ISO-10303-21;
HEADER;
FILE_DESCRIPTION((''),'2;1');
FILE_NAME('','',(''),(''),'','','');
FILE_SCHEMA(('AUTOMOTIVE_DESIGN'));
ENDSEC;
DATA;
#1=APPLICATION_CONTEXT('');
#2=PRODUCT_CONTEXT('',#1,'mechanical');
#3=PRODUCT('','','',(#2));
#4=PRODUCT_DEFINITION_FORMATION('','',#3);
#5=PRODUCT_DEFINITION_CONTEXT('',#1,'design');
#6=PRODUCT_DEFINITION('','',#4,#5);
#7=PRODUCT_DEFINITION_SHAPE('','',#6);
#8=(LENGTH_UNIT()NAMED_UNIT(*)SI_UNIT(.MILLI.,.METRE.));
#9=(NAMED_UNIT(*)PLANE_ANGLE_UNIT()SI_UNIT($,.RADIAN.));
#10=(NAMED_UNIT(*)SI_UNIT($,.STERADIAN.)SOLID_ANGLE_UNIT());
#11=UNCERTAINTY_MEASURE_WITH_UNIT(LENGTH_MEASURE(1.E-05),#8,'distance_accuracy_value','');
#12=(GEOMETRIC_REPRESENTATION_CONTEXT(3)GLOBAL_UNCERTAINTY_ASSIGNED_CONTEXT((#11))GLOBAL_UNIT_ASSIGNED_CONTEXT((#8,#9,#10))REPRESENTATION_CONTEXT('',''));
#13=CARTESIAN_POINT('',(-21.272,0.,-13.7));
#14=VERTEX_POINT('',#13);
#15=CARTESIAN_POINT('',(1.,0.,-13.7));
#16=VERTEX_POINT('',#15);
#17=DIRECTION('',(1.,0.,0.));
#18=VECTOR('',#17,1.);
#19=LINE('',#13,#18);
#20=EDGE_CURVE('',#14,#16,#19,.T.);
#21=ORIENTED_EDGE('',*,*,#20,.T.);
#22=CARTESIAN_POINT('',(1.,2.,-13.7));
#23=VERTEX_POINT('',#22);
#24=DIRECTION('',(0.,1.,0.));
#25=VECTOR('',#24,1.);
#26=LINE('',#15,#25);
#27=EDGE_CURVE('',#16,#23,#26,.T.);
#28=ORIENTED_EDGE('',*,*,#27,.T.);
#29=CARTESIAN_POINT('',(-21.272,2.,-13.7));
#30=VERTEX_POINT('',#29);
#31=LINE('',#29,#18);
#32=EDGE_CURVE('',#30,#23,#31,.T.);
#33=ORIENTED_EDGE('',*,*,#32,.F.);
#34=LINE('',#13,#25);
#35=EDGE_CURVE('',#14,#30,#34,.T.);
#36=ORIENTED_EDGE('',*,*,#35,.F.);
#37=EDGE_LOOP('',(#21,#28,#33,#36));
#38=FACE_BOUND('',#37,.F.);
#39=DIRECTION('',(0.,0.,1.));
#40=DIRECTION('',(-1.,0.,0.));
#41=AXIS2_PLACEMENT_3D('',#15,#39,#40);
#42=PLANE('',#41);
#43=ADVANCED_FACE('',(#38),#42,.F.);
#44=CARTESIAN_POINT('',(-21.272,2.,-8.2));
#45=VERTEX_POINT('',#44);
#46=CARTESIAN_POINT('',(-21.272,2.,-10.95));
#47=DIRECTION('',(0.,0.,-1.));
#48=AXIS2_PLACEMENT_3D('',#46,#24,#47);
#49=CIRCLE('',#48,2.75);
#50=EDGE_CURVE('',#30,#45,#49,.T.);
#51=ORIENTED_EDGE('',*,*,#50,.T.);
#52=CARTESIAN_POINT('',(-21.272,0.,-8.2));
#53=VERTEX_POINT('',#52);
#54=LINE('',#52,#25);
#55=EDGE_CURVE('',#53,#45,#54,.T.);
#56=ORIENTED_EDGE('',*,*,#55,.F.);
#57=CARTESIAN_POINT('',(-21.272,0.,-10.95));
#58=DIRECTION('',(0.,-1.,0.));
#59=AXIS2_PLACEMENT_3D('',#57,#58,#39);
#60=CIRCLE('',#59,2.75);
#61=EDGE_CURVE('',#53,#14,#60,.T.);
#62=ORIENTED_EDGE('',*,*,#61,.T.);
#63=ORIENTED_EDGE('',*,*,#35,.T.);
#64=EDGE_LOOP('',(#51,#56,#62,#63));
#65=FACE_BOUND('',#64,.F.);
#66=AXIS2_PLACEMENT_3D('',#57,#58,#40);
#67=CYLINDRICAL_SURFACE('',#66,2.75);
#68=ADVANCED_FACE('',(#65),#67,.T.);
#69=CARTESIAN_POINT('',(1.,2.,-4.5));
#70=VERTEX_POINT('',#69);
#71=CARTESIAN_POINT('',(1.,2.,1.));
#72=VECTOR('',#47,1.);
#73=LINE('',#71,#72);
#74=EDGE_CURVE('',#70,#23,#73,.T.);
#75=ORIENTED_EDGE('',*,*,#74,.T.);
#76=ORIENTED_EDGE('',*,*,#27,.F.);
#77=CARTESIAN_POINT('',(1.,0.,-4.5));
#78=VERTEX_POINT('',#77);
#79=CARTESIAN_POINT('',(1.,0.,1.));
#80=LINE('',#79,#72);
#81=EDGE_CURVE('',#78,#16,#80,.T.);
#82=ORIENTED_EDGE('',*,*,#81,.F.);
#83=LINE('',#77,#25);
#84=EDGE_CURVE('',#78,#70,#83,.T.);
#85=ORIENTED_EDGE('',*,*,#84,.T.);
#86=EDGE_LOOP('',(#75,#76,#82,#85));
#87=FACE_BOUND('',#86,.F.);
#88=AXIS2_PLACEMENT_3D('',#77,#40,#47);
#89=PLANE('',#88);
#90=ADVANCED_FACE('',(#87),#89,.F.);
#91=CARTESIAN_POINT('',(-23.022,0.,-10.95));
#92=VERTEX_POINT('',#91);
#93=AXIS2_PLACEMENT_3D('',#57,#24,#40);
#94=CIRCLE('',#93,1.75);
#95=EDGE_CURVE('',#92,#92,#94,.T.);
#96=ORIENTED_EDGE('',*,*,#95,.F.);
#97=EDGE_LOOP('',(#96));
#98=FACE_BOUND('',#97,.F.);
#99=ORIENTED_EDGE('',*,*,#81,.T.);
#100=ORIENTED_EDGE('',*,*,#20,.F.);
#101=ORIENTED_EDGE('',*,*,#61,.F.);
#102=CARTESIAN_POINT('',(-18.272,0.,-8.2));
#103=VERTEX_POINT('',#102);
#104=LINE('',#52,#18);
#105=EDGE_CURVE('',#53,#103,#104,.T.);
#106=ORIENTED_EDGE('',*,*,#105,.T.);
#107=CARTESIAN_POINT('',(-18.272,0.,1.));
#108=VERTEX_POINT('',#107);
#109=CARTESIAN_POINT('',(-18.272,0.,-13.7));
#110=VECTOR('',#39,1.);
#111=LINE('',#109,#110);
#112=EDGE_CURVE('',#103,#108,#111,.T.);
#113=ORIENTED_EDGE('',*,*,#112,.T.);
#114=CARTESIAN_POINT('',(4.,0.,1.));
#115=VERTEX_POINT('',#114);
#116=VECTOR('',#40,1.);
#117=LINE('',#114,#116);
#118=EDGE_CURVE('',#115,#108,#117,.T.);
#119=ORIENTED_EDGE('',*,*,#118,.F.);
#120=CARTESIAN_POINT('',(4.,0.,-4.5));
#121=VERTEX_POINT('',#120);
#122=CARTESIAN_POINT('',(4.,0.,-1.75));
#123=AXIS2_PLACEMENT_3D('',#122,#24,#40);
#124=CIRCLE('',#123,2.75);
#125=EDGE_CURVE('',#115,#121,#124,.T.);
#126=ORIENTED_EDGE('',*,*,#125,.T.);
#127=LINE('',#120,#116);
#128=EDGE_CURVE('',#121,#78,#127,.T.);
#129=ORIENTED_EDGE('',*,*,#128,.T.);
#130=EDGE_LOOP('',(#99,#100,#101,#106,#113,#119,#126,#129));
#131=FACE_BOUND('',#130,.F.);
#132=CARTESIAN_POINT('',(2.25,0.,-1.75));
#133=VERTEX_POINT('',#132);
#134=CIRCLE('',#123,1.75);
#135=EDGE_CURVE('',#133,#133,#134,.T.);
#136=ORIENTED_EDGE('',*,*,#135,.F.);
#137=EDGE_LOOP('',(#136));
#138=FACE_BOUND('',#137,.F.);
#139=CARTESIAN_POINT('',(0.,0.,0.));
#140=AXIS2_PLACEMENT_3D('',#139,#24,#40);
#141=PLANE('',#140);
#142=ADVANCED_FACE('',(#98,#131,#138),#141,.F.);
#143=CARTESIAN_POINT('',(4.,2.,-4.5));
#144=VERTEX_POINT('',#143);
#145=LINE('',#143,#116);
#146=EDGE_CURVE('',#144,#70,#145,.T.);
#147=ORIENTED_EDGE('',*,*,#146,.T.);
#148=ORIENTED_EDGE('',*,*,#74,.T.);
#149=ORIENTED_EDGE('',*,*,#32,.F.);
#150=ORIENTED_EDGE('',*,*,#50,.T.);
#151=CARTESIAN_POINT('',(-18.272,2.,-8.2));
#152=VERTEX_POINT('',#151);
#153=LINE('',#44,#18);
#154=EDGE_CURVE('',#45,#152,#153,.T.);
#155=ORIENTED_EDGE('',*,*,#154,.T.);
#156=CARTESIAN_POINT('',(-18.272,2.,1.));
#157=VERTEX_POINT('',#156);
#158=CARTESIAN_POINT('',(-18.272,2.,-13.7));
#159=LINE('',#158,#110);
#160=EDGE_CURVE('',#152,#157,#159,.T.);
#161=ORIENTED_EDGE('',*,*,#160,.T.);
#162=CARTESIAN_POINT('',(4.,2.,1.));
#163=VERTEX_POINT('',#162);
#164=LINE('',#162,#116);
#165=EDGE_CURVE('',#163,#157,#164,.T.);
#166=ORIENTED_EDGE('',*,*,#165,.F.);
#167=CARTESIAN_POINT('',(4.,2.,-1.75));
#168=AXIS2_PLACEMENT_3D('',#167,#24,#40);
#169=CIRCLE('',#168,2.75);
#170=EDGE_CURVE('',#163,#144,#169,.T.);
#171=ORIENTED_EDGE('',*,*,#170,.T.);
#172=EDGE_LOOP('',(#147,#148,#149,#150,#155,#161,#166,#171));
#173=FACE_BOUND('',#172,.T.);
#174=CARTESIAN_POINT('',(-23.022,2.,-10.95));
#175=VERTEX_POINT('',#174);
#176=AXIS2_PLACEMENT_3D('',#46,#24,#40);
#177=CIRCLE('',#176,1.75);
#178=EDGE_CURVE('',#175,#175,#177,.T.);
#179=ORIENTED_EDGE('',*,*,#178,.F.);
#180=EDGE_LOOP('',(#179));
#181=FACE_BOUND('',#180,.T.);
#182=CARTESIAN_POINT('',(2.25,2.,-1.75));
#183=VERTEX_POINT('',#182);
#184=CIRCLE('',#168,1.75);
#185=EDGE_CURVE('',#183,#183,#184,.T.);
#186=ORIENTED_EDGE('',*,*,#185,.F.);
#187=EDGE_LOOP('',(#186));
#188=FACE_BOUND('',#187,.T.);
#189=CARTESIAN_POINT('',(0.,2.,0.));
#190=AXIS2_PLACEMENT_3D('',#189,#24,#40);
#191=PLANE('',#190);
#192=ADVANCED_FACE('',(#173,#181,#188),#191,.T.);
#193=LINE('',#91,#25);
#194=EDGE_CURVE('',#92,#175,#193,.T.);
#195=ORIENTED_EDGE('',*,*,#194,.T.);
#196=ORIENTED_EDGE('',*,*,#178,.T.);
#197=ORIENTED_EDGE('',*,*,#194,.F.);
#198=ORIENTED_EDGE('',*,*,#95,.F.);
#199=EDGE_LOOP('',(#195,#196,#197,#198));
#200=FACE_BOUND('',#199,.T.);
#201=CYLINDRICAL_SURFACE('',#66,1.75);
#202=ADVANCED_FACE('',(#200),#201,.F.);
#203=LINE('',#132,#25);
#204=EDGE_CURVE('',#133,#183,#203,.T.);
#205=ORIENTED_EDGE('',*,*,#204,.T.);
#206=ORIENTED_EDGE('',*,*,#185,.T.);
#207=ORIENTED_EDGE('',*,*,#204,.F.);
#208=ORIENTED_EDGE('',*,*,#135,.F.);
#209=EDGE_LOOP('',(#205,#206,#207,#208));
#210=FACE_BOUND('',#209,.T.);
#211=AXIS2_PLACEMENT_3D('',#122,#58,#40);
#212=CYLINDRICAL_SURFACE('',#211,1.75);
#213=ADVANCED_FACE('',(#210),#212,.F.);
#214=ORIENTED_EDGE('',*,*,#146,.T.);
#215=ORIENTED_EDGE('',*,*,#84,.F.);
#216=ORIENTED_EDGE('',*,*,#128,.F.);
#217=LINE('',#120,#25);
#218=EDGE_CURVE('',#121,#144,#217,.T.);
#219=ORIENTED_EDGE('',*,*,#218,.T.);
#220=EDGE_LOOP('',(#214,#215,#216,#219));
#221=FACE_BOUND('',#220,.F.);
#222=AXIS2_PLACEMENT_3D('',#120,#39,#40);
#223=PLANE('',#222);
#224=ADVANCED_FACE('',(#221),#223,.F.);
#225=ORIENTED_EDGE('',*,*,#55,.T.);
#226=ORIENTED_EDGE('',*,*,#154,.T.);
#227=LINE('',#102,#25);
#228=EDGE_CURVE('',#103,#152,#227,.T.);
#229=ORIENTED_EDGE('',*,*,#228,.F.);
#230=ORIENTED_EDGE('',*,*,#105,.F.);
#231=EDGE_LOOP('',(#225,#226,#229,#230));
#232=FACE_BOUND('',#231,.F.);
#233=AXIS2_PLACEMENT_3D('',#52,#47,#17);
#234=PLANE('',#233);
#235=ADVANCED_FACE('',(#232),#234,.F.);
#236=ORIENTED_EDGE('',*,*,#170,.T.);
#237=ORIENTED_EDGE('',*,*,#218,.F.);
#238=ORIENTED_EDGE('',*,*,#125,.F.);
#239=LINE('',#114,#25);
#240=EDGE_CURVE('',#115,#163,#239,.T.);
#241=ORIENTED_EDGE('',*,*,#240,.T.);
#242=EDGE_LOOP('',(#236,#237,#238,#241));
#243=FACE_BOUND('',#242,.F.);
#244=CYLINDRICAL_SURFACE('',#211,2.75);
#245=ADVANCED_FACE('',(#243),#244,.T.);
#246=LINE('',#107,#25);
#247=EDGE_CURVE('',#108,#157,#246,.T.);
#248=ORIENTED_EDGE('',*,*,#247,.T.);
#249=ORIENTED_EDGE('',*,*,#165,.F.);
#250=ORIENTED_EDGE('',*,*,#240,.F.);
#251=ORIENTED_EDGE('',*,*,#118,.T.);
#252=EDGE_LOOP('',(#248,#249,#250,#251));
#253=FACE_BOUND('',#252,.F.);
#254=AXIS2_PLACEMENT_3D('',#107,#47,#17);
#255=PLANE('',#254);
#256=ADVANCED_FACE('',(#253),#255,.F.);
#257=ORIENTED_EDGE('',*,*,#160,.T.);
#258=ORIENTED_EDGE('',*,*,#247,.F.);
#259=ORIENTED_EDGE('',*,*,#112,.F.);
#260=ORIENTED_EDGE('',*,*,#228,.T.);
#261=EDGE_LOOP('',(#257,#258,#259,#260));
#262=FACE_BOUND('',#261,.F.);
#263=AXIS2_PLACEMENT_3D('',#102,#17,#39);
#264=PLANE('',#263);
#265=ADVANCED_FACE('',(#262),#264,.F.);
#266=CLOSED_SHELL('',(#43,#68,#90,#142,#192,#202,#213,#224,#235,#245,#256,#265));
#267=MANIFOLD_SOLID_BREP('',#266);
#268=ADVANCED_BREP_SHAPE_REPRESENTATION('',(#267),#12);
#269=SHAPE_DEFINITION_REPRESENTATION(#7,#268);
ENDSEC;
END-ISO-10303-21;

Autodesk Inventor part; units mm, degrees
ref_plane "YZ Plane" through (0, 0, 0) normal (1, 0, 0) x (0, 1, 0)
ref_plane "XZ Plane" through (0, 0, 0) normal (0, 1, 0) x (-1, 0, 0)
ref_plane "XY Plane" through (0, 0, 0) normal (0, 0, 1) x (1, 0, 0)
sketch "Sketch1" plane through (0, 0, 0) normal (0, 1, 0) x (-1, 0, 0)
  line L0 (0, 0) -> (17.272, 0)
  line L1 (17.272, 0) -> (17.272, -12.7)
  line L2 (17.272, -12.7) -> (0, -12.7)
  line L3 (0, -12.7) -> (0, 0)
  circle A0 centre (21.272, -10.95) radius 1.75
  circle A1 centre (-4, -1.75) radius 1.75
  line L4 (17.272, -6.35) -> (0, -6.35) construction
  circle A2 centre (21.272, -10.95) radius 2.75
  line L5 (18.272, -13.7) -> (18.272, 1)
  line L6 (18.272, 1) -> (-1, 1)
  line L7 (-1, 1) -> (-1, -13.7)
  line L8 (-1, -13.7) -> (18.272, -13.7)
  line L9 (18.272, -13.7) -> (21.272, -13.7)
  line L10 (21.272, -8.2) -> (18.272, -8.2)
  circle A3 centre (-4, -1.75) radius 2.75
  line L11 (-1, 1) -> (-4, 1)
  line L12 (-4, -4.5) -> (-1, -4.5)
  dimension "d0" = 17.272
  dimension "d1" = 12.7
  dimension "d2" = 3.5
  dimension "d3" = 3.5
  dimension "d4" = 4
  dimension "d5" = 4
  dimension "d6" = 5.5
  dimension "d7" = 5.5
extrude "Extrusion1" add sketch "Sketch1" along normal blind 2 contours L0 L1 L2 L3 | A2 | A2 L9 L5 L10 | L5 L8 L7 L6 | L7 L12 A3 L11 | A3
equation "\"d3\" = d2"
equation "\"d5\" = d4"
equation "\"d7\" = d6"
properties part number "USB Mount"
